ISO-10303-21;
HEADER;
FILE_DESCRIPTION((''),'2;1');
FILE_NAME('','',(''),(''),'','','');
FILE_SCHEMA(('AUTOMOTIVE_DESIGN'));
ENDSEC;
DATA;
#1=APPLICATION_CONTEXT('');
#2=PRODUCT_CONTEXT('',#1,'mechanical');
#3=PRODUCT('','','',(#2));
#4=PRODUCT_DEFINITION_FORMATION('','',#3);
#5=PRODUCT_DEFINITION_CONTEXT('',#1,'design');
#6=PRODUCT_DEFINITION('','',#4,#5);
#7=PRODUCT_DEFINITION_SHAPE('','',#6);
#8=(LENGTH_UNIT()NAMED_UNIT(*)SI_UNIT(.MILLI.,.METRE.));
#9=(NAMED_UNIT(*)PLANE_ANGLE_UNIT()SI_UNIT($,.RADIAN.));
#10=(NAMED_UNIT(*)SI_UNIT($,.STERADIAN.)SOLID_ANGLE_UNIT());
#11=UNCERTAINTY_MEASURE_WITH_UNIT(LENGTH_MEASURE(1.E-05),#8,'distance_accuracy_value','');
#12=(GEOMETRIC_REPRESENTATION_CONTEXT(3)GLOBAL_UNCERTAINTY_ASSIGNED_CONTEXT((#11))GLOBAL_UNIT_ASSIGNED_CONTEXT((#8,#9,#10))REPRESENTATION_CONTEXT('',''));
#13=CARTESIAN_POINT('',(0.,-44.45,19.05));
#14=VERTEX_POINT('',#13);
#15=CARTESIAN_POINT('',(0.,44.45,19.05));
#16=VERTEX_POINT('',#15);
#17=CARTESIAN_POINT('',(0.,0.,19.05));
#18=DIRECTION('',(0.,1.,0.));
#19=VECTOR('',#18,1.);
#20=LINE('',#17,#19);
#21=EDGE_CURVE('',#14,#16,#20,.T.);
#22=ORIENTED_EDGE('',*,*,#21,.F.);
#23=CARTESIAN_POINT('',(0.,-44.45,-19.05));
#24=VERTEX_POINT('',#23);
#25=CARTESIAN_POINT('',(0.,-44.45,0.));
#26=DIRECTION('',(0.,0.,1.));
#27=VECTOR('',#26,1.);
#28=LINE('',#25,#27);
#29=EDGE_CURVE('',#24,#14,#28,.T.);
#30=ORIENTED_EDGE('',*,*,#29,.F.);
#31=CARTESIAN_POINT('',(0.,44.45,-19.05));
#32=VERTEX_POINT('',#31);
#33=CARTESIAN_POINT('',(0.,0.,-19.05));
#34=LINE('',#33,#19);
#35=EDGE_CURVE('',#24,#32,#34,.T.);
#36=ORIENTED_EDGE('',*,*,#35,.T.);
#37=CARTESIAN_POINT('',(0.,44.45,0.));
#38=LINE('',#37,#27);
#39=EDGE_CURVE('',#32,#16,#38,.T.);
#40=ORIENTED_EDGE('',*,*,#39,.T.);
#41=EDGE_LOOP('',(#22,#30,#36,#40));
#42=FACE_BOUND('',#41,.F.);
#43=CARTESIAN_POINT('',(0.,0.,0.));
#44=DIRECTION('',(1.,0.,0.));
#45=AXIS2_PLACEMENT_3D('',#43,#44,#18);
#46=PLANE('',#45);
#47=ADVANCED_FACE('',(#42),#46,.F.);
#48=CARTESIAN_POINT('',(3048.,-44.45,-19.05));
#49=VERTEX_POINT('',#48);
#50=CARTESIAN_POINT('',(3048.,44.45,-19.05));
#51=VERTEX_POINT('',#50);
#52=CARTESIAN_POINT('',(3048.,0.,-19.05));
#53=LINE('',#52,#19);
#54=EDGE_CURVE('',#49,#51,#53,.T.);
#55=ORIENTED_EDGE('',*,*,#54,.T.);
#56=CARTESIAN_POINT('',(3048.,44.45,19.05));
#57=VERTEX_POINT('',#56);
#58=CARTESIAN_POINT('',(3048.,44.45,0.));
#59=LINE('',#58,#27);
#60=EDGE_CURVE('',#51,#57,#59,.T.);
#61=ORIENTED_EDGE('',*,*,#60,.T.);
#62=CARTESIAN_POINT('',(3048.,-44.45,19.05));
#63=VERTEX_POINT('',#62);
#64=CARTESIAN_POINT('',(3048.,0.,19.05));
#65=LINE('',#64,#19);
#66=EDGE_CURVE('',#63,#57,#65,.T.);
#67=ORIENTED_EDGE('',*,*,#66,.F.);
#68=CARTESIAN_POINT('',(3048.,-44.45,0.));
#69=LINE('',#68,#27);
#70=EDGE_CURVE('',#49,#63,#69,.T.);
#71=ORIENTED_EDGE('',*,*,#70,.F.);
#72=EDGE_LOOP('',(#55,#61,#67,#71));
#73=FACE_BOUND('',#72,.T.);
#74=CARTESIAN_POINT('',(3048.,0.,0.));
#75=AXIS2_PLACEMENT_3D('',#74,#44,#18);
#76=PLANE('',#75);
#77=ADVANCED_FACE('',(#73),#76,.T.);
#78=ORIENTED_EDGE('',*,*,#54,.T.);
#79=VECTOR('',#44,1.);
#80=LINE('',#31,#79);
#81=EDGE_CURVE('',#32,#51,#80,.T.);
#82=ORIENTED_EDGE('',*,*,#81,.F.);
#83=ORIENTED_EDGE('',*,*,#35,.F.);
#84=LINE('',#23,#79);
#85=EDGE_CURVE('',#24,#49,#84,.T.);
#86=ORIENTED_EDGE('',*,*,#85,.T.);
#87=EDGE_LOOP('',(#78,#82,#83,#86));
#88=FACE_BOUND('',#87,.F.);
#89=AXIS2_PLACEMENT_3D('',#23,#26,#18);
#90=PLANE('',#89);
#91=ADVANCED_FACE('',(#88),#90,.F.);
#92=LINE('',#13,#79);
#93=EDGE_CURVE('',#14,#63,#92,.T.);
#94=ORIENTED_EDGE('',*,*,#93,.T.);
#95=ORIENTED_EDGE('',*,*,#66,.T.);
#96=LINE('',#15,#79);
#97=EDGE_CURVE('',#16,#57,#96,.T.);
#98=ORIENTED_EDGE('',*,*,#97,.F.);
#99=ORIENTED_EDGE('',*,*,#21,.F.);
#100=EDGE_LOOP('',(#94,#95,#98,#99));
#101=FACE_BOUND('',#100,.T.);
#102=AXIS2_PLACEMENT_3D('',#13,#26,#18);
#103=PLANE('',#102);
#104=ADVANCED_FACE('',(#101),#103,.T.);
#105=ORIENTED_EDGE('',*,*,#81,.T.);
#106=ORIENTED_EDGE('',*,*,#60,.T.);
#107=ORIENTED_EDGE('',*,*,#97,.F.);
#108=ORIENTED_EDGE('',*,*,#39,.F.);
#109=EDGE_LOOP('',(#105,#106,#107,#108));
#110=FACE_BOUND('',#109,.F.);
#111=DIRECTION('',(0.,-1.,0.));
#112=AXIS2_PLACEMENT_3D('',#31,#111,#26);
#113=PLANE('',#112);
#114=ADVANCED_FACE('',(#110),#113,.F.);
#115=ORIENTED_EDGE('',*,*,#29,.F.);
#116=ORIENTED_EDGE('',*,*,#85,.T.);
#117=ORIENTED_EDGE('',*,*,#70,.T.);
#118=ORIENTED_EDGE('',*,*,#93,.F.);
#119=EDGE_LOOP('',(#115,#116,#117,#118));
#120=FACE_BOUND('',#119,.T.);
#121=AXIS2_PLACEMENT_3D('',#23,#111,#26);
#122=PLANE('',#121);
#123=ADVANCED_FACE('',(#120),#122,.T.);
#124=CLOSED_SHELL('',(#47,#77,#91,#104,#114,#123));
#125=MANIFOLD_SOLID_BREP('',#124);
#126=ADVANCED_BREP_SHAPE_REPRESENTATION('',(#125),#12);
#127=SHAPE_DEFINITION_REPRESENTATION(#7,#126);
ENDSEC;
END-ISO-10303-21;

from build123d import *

# Parameters (mm, degrees)
F0_W     = 88.9
F0_H     = 38.1
F1_DEPTH = 3048


with BuildPart() as f1:
    # F0 (on Right) → F1 (new body)
    with BuildSketch(Plane.YZ):
        Rectangle(F0_W, F0_H)
    extrude(amount=F1_DEPTH)


solid = f1.part
